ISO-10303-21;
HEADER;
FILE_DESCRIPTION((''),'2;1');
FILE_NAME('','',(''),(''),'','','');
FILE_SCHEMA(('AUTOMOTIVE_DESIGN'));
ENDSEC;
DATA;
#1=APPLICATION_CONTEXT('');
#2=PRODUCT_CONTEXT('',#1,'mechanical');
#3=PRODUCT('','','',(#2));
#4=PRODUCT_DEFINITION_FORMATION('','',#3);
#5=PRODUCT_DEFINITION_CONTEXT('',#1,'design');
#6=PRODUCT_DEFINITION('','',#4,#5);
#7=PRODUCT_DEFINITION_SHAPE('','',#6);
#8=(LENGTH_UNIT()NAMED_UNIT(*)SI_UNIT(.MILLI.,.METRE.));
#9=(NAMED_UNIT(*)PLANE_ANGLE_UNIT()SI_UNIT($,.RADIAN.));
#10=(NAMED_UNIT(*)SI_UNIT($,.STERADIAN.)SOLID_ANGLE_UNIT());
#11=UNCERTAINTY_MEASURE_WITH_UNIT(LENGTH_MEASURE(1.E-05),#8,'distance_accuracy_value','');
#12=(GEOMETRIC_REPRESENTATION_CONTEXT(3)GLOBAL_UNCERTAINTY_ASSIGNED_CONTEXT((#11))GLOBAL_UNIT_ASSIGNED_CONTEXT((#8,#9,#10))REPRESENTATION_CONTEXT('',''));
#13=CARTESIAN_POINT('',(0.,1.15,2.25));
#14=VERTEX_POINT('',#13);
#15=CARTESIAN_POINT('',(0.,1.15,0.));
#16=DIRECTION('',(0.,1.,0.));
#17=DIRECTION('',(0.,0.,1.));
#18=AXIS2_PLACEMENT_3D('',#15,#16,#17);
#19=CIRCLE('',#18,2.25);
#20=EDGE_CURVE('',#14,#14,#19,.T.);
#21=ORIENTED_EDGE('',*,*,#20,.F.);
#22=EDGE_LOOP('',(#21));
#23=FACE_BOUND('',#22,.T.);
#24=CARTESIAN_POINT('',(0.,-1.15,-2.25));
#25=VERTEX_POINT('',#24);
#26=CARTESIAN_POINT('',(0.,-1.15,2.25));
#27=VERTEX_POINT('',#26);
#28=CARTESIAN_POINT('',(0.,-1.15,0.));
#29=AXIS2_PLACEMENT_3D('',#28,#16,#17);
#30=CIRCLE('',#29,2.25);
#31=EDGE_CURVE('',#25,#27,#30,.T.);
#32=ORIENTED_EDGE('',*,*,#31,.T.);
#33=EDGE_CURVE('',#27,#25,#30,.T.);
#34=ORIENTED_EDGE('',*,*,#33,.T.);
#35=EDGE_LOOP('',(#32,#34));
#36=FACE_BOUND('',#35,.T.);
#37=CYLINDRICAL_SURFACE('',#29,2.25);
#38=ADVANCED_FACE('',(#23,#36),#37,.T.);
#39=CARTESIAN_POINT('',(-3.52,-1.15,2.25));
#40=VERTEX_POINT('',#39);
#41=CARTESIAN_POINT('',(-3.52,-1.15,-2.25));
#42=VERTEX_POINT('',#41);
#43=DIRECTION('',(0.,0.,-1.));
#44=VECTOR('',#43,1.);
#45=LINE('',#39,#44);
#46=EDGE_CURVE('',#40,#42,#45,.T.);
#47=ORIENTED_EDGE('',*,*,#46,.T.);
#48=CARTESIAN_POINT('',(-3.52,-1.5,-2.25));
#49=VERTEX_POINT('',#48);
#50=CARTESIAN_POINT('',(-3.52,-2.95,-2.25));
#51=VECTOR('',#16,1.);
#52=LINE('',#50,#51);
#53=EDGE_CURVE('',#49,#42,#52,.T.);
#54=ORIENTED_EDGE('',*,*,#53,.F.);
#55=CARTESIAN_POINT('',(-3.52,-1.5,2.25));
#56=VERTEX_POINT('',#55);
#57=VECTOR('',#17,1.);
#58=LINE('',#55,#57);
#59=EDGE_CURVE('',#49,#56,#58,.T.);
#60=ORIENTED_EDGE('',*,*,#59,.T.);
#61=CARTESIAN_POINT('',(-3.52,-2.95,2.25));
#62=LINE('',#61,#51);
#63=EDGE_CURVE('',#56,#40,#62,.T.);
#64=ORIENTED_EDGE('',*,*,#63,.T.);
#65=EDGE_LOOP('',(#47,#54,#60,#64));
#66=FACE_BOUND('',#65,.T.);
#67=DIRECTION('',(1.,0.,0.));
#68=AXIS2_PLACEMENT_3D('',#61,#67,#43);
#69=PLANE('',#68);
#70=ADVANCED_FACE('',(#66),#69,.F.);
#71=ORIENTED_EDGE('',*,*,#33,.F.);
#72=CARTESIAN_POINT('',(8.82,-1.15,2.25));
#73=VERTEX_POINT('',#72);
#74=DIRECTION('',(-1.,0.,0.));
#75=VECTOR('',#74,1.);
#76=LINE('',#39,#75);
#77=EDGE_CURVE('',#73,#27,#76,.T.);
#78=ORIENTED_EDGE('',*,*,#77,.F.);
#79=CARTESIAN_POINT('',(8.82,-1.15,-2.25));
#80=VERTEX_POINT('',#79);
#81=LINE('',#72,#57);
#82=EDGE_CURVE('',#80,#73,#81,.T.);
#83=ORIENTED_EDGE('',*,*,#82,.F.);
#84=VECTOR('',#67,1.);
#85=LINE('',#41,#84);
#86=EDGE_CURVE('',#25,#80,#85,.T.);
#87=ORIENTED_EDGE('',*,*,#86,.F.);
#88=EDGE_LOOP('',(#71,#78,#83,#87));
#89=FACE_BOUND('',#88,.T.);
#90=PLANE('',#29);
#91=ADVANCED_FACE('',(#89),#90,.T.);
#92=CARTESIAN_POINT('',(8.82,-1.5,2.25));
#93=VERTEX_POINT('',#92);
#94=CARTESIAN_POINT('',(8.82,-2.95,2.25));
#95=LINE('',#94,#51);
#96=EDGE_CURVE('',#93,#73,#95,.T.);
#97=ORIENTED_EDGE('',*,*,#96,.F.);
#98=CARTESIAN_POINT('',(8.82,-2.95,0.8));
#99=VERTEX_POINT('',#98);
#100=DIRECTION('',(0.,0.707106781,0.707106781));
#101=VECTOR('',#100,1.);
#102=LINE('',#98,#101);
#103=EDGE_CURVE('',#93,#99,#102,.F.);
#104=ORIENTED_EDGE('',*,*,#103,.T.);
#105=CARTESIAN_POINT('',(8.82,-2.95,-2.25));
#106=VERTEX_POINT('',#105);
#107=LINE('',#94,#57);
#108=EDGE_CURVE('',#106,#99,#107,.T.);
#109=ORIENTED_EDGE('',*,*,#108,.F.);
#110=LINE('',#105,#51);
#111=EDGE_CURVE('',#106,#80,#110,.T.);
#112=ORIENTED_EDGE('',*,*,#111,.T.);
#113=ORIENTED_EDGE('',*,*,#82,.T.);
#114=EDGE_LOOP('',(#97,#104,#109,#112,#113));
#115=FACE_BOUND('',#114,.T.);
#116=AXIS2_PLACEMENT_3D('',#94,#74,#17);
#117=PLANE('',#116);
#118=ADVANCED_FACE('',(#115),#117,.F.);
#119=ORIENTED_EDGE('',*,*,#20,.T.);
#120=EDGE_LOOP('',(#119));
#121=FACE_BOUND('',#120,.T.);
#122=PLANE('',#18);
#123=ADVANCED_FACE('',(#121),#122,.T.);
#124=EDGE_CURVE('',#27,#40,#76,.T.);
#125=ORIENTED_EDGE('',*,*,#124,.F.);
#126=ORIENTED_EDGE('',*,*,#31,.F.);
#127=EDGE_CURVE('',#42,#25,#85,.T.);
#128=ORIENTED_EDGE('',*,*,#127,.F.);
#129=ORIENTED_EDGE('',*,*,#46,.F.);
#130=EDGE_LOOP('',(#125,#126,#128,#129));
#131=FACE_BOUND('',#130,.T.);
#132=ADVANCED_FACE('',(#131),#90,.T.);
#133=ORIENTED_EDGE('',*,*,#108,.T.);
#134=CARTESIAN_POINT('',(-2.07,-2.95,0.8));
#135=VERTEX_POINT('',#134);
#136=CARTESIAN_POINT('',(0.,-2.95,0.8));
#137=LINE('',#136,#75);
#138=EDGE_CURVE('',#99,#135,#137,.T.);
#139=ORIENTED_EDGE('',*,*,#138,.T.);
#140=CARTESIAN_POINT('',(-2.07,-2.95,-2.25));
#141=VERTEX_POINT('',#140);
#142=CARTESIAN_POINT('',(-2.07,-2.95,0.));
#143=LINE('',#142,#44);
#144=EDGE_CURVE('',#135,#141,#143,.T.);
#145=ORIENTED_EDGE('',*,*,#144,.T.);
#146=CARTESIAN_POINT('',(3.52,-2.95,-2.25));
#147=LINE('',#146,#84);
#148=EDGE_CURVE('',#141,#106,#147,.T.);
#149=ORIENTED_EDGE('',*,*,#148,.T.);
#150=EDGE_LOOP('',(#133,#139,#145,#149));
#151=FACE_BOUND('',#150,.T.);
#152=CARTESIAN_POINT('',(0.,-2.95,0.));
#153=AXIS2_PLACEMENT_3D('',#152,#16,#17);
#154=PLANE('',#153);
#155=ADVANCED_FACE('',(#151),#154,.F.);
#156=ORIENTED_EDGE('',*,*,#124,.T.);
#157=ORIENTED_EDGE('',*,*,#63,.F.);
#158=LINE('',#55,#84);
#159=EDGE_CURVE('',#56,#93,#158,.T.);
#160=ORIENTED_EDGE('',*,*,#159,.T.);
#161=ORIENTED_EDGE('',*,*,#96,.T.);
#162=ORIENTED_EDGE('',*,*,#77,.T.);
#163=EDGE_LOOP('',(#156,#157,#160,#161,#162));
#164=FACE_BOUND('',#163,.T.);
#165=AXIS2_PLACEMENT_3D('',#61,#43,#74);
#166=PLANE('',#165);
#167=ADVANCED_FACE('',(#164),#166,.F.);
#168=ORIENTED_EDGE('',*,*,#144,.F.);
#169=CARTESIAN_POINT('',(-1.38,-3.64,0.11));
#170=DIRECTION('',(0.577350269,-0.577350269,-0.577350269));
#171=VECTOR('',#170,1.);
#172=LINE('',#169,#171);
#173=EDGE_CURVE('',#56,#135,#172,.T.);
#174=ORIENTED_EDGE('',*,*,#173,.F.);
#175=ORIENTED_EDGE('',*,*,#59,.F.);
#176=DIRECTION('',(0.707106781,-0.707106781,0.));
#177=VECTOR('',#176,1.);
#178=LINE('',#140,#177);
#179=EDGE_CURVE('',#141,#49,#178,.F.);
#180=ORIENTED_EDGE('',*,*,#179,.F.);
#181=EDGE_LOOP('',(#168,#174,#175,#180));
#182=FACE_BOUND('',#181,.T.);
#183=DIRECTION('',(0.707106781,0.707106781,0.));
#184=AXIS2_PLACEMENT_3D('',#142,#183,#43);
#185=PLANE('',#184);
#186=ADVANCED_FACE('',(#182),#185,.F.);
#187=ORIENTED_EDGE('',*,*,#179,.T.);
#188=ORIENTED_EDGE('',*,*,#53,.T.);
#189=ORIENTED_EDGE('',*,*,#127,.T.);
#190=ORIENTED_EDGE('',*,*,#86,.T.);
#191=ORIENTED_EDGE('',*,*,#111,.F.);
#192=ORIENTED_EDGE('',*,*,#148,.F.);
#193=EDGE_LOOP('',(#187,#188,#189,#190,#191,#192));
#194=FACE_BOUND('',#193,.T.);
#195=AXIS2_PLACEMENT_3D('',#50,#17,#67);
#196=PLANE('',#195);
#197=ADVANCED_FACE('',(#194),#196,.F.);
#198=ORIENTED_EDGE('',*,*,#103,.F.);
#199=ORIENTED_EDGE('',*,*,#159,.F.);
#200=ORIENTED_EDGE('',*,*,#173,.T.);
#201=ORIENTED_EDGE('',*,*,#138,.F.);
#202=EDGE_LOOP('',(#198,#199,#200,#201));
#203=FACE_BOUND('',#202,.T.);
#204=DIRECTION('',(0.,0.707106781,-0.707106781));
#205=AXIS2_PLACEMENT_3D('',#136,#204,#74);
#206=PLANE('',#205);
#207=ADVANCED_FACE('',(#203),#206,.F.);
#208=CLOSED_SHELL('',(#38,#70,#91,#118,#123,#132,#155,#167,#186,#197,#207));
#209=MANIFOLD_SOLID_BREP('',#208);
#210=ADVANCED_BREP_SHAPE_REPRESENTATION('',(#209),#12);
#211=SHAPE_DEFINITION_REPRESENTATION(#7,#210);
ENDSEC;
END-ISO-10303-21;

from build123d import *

# Parameters (mm, degrees)
BOSS_EXTRUDE1_DEPTH      = 1.15
BOSS_EXTRUDE1_DEPTH_BACK = 1.15
SKETCH1_R                = 2.25
BOSS_EXTRUDE2_DEPTH      = 1.8
CHAMFER2_SIZE            = 1.45
CHAMFER4_SIZE            = 1.45


with BuildPart() as part:
    # Sketch1 → Boss-Extrude1 (new, two sides: drawn at the far end of the back side and taken through both)
    with BuildSketch(Plane(origin=(0, 0, 0), x_dir=(1, 0, 0), z_dir=(0, 1, 0)).offset(-BOSS_EXTRUDE1_DEPTH_BACK)):
        Circle(SKETCH1_R)
    extrude(amount=BOSS_EXTRUDE1_DEPTH + BOSS_EXTRUDE1_DEPTH_BACK)

    # Sketch2 → Boss-Extrude2 (add)
    with BuildSketch(Plane.XZ.offset(1.15)):
        Polygon((-3.52, 2.25), (3.52, 2.25), (8.82, 2.25), (8.82, -2.25), (3.52, -2.25), (-3.52, -2.25), align=None)
    extrude(amount=BOSS_EXTRUDE2_DEPTH)

    # Chamfer2
    chamfer2_edges = [part.edges().sort_by_distance(p)[0] for p in [
        (2.65, -2.95, 2.25),
    ]]
    chamfer(chamfer2_edges, length=CHAMFER2_SIZE)

    # Chamfer4
    chamfer4_edges = [part.edges().sort_by_distance(p)[0] for p in [
        (-3.52, -2.95, -0.725),
    ]]
    chamfer(chamfer4_edges, length=CHAMFER4_SIZE)


solid = part.part
